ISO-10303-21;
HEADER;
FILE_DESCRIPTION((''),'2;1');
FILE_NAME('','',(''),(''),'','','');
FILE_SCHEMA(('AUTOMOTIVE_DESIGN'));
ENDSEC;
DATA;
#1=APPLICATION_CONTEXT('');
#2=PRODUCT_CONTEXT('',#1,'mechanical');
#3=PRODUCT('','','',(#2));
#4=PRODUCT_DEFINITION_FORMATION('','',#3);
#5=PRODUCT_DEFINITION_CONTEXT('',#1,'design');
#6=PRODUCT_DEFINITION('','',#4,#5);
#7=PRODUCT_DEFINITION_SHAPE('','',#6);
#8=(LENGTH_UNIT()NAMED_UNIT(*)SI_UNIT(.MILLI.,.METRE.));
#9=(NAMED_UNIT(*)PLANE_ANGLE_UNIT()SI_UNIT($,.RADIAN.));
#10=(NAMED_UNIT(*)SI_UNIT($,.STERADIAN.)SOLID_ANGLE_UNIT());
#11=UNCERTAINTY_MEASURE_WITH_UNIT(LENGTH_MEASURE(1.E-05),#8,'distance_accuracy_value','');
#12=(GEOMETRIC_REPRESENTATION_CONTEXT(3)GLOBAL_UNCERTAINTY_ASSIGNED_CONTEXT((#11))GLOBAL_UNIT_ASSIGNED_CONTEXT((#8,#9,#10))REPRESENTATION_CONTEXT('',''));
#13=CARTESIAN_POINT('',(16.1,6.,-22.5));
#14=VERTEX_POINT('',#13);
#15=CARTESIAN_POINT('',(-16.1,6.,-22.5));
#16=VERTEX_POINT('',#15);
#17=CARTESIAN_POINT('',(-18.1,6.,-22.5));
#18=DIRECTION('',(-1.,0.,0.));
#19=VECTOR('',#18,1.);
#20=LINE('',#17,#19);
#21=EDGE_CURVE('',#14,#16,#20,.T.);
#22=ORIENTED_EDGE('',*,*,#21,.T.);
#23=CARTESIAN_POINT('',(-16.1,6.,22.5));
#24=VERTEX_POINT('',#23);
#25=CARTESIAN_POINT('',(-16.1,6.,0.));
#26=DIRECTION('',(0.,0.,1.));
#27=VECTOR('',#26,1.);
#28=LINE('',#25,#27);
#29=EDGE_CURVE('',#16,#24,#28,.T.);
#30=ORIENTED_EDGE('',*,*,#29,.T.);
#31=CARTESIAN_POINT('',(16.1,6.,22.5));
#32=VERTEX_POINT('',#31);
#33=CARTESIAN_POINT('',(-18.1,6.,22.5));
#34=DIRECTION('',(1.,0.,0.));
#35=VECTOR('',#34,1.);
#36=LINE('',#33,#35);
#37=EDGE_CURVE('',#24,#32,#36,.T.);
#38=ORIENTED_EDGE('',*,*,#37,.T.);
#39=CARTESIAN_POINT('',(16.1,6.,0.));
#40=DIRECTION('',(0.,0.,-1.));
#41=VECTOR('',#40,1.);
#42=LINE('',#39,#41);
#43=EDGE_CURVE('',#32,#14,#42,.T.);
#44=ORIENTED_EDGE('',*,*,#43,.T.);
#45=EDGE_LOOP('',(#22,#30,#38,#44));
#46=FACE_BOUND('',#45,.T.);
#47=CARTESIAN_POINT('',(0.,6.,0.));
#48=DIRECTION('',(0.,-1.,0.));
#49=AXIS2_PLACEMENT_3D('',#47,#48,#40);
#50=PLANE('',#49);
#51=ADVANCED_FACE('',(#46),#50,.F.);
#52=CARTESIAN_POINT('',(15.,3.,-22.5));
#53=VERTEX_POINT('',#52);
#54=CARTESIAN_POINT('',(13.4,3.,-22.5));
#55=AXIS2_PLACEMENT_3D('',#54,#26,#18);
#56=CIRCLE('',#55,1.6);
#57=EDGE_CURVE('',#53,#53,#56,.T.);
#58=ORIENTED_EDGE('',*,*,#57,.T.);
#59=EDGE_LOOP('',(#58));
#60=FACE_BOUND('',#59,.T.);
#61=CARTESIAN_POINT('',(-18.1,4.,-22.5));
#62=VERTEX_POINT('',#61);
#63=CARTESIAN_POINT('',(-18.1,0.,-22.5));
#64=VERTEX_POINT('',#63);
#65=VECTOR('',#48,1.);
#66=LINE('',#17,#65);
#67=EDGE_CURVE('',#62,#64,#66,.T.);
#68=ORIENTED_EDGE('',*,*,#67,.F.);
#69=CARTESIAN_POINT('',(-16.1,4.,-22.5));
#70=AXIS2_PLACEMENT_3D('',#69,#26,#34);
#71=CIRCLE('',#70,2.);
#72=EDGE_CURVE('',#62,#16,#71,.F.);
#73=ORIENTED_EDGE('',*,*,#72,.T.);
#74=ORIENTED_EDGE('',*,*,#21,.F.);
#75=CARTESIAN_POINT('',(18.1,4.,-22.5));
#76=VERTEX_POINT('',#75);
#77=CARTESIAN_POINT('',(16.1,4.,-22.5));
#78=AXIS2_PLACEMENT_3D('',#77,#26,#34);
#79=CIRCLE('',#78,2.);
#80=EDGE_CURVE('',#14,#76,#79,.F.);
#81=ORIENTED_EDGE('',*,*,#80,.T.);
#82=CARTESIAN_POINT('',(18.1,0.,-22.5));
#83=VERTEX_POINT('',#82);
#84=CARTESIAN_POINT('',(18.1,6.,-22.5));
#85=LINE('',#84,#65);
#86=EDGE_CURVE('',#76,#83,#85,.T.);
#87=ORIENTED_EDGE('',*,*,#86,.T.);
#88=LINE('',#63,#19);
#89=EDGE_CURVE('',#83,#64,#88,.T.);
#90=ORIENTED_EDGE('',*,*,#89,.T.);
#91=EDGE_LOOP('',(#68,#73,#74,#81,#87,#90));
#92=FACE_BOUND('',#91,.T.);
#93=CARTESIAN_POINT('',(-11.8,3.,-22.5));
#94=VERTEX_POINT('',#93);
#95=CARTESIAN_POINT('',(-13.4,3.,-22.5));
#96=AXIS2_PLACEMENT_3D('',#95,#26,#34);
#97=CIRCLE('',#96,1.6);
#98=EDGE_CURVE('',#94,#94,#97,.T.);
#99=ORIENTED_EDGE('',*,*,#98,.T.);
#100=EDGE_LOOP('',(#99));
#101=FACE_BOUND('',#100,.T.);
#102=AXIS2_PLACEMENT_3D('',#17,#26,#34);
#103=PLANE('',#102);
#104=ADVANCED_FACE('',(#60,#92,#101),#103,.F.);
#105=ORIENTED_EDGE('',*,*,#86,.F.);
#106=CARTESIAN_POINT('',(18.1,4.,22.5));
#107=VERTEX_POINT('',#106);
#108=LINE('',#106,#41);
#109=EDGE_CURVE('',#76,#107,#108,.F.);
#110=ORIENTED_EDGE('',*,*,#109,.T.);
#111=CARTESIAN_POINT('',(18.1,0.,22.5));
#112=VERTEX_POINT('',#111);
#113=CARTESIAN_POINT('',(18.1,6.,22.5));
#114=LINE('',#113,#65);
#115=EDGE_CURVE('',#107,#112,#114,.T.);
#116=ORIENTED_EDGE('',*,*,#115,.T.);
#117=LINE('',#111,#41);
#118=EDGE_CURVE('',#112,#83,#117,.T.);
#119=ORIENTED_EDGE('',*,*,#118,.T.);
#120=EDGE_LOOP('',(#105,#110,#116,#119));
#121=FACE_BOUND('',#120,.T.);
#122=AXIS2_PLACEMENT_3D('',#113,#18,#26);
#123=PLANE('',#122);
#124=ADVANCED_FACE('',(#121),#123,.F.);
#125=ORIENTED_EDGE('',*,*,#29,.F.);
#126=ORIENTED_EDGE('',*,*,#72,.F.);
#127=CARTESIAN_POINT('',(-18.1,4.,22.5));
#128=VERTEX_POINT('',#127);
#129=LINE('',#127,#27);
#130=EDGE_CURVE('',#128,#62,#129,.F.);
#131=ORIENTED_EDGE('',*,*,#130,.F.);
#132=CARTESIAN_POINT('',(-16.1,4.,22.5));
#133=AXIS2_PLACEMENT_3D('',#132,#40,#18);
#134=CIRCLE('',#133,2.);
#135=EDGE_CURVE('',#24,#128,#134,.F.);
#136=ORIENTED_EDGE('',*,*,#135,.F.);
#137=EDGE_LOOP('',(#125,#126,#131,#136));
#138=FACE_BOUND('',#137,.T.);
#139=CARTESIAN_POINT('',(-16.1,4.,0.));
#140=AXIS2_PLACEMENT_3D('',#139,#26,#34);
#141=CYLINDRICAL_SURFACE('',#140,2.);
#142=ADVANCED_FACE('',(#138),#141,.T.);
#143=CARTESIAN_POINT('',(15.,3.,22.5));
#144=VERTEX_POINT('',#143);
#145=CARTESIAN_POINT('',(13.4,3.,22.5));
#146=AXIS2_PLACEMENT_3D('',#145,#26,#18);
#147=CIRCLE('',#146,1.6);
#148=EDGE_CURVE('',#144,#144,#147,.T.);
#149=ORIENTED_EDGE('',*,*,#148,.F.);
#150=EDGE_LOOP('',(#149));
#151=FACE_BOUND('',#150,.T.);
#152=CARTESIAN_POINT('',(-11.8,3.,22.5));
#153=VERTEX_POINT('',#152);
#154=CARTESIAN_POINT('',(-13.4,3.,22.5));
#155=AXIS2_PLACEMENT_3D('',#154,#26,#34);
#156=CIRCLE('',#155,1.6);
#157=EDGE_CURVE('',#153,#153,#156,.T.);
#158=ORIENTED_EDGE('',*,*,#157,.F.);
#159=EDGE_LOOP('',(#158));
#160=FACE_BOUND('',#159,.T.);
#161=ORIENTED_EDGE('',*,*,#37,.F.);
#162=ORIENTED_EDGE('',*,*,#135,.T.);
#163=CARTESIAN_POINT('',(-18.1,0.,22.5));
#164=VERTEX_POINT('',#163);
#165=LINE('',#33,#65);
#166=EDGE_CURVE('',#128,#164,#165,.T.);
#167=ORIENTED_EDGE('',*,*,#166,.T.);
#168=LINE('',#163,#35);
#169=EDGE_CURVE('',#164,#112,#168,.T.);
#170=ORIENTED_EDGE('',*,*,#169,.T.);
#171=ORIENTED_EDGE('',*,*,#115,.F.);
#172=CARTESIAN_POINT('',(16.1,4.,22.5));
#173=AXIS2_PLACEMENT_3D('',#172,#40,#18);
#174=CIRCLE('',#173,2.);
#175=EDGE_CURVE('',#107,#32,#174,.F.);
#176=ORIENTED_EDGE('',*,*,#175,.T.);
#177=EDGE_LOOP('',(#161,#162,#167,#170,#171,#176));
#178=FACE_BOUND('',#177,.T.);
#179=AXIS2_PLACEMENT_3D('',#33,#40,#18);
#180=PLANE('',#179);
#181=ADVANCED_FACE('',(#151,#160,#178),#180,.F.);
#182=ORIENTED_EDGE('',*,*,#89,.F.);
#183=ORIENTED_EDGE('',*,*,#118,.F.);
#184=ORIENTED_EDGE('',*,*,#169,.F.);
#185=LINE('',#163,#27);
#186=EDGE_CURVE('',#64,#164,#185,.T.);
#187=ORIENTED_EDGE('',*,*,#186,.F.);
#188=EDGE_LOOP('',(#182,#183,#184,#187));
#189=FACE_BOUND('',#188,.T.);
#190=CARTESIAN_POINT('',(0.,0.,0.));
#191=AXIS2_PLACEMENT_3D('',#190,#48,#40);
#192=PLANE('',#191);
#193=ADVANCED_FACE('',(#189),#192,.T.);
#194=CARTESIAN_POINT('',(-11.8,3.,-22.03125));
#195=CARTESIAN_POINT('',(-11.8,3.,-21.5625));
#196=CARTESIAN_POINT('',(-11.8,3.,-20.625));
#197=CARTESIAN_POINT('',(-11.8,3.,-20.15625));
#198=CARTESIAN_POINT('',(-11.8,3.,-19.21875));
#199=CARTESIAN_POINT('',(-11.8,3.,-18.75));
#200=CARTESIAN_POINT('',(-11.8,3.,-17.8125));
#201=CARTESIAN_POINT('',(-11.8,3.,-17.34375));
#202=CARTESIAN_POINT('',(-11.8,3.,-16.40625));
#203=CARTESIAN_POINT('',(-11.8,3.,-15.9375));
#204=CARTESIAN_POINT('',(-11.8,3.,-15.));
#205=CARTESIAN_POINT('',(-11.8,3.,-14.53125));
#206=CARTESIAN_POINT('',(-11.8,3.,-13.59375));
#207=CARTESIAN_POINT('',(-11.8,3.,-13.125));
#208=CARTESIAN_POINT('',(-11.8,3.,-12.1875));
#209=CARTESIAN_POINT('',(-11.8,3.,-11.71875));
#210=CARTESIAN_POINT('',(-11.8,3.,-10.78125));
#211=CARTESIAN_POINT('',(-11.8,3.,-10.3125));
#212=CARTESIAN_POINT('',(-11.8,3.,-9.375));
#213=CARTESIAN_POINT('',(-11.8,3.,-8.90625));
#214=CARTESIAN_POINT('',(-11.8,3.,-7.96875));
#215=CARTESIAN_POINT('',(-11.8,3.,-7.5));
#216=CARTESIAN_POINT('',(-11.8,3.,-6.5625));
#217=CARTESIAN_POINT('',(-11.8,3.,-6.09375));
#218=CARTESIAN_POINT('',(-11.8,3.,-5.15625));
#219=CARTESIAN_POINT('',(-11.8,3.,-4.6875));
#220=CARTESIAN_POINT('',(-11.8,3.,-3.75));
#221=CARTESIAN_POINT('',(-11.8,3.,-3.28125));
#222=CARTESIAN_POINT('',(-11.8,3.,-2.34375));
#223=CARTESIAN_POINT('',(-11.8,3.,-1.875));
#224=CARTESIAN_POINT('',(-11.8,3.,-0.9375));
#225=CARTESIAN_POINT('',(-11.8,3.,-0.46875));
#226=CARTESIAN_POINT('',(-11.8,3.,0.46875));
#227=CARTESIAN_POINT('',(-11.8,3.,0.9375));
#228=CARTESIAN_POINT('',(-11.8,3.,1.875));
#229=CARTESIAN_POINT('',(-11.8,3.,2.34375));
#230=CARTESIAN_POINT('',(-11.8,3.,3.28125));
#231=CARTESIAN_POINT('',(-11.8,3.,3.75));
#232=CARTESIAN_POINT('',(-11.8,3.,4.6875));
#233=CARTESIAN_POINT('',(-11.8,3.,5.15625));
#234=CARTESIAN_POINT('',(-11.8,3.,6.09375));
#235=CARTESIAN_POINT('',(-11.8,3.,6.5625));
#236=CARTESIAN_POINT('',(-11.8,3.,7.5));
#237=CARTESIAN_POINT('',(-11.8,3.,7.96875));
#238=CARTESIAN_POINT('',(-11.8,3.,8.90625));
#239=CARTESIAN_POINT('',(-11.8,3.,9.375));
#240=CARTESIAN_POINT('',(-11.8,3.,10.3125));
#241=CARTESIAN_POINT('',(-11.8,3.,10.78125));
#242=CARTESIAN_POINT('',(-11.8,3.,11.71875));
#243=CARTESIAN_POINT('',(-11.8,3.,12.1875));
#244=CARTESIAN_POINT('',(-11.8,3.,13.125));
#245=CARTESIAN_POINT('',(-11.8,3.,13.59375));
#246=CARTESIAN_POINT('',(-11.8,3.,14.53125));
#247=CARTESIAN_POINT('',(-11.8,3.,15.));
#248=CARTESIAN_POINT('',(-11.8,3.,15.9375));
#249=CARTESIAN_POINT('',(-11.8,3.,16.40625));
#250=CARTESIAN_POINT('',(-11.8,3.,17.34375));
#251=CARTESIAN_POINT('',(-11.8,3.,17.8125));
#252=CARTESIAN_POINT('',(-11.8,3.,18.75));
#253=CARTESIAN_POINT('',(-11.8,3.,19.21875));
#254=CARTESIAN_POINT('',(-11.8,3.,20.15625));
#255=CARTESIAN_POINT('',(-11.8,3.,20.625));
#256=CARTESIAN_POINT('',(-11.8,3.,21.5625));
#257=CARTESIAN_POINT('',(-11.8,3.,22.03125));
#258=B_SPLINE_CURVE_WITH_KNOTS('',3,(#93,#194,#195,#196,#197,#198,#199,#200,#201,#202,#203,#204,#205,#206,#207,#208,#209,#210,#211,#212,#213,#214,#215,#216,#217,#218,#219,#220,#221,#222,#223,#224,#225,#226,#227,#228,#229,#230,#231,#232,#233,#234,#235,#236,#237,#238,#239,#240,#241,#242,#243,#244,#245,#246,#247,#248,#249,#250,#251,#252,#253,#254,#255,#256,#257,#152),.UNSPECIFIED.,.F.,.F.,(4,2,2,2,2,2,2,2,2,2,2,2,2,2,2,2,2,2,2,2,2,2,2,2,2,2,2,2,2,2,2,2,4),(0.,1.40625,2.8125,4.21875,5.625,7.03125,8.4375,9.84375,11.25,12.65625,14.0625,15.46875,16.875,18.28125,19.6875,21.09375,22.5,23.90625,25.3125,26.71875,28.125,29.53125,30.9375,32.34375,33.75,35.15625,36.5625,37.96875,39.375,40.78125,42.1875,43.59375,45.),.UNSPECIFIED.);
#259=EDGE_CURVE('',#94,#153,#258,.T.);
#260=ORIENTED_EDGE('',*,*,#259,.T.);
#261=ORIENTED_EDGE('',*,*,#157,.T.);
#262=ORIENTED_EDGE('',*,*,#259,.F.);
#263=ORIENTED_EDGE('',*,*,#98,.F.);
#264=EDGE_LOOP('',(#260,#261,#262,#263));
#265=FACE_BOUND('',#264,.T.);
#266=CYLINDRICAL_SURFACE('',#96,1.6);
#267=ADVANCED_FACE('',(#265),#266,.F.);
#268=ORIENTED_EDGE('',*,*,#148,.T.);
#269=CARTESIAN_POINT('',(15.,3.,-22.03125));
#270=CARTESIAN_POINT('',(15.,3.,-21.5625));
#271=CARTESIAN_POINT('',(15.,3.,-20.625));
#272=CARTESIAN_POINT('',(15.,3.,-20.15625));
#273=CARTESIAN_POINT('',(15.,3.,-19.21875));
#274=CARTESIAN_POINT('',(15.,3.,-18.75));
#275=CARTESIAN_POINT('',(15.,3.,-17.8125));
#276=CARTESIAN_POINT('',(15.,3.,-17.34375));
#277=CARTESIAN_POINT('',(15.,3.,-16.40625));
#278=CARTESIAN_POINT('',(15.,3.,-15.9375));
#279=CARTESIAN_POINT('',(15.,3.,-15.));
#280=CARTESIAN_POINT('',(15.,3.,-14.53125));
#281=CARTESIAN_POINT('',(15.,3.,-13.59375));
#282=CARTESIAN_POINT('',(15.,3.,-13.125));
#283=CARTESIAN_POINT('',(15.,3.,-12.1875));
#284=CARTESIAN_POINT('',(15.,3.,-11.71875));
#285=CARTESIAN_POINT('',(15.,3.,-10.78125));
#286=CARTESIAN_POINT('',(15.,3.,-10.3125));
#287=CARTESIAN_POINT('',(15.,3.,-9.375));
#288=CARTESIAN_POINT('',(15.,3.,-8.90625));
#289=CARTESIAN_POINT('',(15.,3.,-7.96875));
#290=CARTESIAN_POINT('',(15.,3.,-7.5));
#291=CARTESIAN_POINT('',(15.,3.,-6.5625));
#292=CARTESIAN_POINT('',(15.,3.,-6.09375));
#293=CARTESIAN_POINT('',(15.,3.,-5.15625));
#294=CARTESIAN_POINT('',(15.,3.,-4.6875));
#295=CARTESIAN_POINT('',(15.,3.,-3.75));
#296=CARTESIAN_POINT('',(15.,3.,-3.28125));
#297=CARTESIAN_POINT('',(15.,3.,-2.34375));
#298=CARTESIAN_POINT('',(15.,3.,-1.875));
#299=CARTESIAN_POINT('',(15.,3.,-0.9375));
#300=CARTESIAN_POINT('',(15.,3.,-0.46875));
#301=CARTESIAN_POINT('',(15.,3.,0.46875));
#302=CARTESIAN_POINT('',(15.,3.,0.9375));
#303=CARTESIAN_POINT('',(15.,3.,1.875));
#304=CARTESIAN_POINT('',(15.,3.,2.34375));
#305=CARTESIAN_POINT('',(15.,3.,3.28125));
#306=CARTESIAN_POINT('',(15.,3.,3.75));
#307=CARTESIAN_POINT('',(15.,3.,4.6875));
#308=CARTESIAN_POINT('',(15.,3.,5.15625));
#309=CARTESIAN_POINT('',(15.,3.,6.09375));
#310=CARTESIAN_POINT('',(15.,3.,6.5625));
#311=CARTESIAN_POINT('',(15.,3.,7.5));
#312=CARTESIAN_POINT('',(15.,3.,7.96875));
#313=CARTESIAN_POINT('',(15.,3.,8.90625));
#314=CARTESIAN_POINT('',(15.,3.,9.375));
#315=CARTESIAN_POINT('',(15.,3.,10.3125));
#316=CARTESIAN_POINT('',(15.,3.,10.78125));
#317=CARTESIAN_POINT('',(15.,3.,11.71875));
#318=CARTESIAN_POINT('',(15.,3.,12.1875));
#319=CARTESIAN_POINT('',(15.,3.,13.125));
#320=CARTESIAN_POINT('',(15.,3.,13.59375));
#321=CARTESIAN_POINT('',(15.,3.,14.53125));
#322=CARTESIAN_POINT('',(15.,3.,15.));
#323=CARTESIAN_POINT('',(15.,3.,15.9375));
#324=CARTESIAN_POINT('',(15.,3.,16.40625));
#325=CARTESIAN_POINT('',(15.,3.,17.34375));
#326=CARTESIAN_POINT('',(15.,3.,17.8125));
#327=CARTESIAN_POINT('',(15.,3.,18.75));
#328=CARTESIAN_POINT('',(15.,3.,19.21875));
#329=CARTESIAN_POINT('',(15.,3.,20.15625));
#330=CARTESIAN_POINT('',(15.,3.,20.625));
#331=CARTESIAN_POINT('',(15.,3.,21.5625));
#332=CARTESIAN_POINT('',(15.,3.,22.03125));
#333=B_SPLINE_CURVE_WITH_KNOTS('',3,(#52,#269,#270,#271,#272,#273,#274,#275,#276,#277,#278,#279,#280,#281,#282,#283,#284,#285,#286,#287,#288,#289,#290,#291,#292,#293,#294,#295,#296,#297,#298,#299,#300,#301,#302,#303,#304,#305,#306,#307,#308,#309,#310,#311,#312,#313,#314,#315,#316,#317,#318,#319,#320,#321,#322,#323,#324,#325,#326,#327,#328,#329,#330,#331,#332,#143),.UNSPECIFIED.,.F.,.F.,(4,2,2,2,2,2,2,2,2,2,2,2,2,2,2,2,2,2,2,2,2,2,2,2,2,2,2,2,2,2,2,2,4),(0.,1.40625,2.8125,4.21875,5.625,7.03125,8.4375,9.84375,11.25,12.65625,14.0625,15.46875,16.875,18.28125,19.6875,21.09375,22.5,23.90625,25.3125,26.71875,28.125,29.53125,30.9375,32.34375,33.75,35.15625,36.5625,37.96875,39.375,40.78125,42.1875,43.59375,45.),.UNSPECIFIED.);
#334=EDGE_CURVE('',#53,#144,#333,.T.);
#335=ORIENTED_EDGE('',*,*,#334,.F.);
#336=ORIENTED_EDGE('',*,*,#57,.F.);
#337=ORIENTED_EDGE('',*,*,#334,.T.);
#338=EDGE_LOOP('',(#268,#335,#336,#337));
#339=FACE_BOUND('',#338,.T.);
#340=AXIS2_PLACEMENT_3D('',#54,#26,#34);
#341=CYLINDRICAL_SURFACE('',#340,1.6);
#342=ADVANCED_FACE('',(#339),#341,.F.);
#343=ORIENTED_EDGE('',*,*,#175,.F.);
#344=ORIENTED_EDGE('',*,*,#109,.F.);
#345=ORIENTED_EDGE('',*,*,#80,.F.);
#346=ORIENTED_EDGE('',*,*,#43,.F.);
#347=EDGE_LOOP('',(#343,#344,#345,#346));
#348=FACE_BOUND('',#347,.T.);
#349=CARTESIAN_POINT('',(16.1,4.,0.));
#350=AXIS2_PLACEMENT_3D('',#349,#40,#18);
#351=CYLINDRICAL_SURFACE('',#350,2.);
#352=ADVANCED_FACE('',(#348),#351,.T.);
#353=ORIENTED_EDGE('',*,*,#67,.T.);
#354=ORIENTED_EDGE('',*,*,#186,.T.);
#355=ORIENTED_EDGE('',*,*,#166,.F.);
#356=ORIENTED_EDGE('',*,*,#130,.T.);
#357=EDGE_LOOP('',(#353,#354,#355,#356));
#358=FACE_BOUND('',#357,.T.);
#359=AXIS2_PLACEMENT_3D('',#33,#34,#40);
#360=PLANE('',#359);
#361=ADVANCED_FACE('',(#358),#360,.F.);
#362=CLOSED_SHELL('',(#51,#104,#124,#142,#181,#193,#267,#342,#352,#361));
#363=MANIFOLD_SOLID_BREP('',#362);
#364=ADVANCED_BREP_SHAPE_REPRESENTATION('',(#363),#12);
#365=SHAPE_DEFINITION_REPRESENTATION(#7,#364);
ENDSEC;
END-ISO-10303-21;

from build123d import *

# Parameters (mm, degrees)
SKETCH1_W           = 36.2
SKETCH1_H           = 45
BOSS_EXTRUDE1_DEPTH = 6
FILLET1_R           = 2
SKETCH3_R           = 1.6
CUT_EXTRUDE1_DEPTH  = 49.873407902


with BuildPart() as part:
    # Sketch1 → Boss-Extrude1 (new body)
    with BuildSketch(Plane(origin=(0, 0, 0), x_dir=(1, 0, 0), z_dir=(0, 1, 0))):
        Rectangle(SKETCH1_W, SKETCH1_H)
    extrude(amount=BOSS_EXTRUDE1_DEPTH)

    # Fillet1
    fillet1_edges = [part.edges().sort_by_distance(p)[0] for p in [
        (-18.1, 6, 0),
        (18.1, 6, 0),
    ]]
    fillet(fillet1_edges, radius=FILLET1_R)

    # Sketch3 → Cut-Extrude1 (cut, through all)
    with BuildSketch(Plane.XY.offset(22.5)):
        with Locations((-13.4, 3)):
            Circle(SKETCH3_R)
        with Locations((13.4, 3)):
            Circle(SKETCH3_R)
    extrude(amount=-CUT_EXTRUDE1_DEPTH, mode=Mode.SUBTRACT)


solid = part.part
